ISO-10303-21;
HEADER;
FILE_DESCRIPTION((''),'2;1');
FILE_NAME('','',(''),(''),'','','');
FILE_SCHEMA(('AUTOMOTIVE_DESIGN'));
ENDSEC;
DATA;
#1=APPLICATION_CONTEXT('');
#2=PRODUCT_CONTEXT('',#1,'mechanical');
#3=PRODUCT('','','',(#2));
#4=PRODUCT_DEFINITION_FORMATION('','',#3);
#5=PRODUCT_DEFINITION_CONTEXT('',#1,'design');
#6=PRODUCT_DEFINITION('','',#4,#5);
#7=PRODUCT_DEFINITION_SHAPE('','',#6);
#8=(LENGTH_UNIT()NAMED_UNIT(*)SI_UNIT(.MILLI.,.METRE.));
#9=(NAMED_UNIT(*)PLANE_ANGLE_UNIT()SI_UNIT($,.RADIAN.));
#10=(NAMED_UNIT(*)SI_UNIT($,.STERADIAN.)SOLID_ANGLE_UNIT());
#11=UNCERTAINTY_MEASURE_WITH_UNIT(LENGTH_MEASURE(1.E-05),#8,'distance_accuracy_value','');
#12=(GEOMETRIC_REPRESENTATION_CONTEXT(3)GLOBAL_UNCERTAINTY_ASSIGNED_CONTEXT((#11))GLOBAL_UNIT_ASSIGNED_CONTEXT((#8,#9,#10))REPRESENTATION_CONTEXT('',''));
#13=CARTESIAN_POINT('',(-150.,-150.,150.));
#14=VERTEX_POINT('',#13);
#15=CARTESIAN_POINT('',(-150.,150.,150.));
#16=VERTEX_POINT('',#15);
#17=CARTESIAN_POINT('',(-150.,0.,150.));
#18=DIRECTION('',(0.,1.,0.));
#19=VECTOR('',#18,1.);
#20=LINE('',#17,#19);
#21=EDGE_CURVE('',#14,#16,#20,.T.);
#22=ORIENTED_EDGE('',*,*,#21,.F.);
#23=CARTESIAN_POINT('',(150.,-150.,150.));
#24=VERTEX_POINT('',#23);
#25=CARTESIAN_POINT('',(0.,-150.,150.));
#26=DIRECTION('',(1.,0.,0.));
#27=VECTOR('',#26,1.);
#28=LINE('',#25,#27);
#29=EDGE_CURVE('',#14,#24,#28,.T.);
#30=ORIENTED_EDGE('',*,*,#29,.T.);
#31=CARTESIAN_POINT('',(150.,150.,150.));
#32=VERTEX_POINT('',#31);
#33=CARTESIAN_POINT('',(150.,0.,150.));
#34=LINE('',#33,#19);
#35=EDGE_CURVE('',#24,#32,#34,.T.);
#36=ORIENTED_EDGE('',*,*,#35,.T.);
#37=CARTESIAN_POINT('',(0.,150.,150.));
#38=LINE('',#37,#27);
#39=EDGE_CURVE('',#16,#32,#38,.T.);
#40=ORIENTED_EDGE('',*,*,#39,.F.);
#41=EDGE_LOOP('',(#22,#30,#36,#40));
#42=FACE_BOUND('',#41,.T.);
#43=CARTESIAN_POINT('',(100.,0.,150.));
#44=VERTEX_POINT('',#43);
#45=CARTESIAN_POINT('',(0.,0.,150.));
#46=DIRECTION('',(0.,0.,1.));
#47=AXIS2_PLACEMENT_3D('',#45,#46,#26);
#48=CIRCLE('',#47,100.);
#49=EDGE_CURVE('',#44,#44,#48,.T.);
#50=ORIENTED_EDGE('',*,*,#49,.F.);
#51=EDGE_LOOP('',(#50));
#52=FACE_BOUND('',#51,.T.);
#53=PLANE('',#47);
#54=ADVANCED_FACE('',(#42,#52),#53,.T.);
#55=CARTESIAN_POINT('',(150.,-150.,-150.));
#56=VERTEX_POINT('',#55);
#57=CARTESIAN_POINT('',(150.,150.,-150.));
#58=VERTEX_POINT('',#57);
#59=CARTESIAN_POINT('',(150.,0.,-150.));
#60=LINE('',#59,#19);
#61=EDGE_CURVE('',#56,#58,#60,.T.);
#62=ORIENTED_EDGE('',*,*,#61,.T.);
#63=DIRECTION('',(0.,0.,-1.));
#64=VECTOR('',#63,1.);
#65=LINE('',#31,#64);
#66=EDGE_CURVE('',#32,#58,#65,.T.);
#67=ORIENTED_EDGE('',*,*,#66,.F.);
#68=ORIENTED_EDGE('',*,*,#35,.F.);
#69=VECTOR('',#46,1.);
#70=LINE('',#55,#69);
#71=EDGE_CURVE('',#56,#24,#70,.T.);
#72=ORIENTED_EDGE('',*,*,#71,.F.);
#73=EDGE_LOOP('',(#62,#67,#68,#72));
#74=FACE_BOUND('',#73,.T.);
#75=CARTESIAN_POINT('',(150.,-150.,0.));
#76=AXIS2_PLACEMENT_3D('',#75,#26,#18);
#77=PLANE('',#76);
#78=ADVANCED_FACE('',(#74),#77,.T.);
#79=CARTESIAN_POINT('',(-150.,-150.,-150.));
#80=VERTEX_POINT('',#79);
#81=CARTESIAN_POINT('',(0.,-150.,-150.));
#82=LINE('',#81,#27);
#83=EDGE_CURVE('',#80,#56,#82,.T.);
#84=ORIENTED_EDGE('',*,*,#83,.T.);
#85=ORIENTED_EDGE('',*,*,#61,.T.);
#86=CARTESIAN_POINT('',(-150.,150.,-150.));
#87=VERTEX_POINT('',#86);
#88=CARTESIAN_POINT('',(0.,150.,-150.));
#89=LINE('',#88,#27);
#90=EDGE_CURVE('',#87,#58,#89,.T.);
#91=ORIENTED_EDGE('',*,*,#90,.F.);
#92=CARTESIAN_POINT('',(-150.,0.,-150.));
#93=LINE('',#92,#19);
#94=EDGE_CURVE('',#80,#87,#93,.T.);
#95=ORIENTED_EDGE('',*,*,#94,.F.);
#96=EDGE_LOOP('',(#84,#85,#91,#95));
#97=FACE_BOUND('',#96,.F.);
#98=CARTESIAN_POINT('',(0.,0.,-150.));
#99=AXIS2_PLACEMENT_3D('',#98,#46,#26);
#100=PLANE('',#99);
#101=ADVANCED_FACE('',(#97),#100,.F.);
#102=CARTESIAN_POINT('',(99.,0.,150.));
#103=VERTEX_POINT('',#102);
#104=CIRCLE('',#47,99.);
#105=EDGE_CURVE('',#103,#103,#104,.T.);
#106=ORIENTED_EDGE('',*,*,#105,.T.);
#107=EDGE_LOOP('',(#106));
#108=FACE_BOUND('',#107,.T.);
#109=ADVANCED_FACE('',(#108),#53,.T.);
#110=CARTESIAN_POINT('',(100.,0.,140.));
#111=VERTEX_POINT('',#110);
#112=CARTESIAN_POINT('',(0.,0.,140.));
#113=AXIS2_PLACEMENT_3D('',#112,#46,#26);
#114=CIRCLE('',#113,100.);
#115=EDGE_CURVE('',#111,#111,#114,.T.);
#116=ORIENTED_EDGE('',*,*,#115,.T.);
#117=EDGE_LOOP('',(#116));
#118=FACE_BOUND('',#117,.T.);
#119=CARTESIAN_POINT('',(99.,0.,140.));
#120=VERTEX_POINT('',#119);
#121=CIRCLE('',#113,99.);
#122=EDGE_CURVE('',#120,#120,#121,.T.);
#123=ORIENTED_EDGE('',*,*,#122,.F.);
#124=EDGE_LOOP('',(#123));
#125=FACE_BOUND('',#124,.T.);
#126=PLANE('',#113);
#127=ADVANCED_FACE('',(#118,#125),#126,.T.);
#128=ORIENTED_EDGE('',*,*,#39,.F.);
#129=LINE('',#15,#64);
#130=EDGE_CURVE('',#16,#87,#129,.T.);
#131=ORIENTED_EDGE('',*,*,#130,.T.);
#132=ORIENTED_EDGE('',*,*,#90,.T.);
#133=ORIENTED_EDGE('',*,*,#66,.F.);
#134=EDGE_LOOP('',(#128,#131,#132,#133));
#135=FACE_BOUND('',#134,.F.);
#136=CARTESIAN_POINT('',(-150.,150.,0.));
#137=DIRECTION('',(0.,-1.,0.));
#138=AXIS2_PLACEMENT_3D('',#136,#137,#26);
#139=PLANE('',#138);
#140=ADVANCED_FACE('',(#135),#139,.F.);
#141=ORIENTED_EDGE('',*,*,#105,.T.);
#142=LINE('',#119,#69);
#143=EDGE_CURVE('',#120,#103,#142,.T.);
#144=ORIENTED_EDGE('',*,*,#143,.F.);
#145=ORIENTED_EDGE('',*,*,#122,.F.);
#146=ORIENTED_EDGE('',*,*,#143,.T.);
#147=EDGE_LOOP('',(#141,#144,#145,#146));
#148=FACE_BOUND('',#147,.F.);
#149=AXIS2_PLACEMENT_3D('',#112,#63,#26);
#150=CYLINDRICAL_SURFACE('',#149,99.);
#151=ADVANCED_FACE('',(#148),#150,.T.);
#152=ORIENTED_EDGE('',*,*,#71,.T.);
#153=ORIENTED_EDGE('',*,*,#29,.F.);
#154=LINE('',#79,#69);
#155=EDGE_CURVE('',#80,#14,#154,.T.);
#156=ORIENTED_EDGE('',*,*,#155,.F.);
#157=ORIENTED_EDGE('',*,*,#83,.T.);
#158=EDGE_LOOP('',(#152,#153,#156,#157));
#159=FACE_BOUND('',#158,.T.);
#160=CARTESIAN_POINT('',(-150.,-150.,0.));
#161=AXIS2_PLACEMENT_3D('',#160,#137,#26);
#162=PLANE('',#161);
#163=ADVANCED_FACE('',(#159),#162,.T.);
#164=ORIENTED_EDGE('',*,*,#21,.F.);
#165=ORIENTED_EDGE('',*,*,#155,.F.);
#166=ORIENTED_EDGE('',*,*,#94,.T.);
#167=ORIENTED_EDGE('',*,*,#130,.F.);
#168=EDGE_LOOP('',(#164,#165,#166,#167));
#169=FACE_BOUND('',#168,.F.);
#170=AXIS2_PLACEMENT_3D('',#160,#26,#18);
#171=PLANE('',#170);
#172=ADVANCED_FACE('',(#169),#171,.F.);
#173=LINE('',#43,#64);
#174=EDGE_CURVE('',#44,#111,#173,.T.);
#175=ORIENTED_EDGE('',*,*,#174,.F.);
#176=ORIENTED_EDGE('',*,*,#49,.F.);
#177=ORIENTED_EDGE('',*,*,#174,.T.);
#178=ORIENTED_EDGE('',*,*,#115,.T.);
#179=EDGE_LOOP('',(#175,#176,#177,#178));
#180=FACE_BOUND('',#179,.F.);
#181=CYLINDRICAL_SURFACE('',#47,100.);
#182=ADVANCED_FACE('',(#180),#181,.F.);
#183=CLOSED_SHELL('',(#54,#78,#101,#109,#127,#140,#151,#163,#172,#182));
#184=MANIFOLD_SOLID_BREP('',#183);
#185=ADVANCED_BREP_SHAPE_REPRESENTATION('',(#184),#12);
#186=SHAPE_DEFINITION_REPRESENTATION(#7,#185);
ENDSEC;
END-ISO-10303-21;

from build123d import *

# Parameters (mm, degrees)
F0_W     = 300
F0_H     = 300
F1_DEPTH = 150
F2_R     = 100
F3_DEPTH = 10
F4_R     = 99
F5_DEPTH = 10


with BuildPart() as f1:
    # F0 (on Top) → F1 (new body, symmetric)
    with BuildSketch(Plane.XY):
        Rectangle(F0_W, F0_H)
    extrude(amount=F1_DEPTH, both=True)

    # F2 (on face) → F3 (cut)
    with BuildSketch(Plane.XY.offset(150)):
        Circle(F2_R)
    extrude(amount=-F3_DEPTH, mode=Mode.SUBTRACT)

    # F4 (on face) → F5 (join)
    with BuildSketch(Plane.XY.offset(140)):
        Circle(F4_R)
    extrude(amount=F5_DEPTH)


solid = f1.part
